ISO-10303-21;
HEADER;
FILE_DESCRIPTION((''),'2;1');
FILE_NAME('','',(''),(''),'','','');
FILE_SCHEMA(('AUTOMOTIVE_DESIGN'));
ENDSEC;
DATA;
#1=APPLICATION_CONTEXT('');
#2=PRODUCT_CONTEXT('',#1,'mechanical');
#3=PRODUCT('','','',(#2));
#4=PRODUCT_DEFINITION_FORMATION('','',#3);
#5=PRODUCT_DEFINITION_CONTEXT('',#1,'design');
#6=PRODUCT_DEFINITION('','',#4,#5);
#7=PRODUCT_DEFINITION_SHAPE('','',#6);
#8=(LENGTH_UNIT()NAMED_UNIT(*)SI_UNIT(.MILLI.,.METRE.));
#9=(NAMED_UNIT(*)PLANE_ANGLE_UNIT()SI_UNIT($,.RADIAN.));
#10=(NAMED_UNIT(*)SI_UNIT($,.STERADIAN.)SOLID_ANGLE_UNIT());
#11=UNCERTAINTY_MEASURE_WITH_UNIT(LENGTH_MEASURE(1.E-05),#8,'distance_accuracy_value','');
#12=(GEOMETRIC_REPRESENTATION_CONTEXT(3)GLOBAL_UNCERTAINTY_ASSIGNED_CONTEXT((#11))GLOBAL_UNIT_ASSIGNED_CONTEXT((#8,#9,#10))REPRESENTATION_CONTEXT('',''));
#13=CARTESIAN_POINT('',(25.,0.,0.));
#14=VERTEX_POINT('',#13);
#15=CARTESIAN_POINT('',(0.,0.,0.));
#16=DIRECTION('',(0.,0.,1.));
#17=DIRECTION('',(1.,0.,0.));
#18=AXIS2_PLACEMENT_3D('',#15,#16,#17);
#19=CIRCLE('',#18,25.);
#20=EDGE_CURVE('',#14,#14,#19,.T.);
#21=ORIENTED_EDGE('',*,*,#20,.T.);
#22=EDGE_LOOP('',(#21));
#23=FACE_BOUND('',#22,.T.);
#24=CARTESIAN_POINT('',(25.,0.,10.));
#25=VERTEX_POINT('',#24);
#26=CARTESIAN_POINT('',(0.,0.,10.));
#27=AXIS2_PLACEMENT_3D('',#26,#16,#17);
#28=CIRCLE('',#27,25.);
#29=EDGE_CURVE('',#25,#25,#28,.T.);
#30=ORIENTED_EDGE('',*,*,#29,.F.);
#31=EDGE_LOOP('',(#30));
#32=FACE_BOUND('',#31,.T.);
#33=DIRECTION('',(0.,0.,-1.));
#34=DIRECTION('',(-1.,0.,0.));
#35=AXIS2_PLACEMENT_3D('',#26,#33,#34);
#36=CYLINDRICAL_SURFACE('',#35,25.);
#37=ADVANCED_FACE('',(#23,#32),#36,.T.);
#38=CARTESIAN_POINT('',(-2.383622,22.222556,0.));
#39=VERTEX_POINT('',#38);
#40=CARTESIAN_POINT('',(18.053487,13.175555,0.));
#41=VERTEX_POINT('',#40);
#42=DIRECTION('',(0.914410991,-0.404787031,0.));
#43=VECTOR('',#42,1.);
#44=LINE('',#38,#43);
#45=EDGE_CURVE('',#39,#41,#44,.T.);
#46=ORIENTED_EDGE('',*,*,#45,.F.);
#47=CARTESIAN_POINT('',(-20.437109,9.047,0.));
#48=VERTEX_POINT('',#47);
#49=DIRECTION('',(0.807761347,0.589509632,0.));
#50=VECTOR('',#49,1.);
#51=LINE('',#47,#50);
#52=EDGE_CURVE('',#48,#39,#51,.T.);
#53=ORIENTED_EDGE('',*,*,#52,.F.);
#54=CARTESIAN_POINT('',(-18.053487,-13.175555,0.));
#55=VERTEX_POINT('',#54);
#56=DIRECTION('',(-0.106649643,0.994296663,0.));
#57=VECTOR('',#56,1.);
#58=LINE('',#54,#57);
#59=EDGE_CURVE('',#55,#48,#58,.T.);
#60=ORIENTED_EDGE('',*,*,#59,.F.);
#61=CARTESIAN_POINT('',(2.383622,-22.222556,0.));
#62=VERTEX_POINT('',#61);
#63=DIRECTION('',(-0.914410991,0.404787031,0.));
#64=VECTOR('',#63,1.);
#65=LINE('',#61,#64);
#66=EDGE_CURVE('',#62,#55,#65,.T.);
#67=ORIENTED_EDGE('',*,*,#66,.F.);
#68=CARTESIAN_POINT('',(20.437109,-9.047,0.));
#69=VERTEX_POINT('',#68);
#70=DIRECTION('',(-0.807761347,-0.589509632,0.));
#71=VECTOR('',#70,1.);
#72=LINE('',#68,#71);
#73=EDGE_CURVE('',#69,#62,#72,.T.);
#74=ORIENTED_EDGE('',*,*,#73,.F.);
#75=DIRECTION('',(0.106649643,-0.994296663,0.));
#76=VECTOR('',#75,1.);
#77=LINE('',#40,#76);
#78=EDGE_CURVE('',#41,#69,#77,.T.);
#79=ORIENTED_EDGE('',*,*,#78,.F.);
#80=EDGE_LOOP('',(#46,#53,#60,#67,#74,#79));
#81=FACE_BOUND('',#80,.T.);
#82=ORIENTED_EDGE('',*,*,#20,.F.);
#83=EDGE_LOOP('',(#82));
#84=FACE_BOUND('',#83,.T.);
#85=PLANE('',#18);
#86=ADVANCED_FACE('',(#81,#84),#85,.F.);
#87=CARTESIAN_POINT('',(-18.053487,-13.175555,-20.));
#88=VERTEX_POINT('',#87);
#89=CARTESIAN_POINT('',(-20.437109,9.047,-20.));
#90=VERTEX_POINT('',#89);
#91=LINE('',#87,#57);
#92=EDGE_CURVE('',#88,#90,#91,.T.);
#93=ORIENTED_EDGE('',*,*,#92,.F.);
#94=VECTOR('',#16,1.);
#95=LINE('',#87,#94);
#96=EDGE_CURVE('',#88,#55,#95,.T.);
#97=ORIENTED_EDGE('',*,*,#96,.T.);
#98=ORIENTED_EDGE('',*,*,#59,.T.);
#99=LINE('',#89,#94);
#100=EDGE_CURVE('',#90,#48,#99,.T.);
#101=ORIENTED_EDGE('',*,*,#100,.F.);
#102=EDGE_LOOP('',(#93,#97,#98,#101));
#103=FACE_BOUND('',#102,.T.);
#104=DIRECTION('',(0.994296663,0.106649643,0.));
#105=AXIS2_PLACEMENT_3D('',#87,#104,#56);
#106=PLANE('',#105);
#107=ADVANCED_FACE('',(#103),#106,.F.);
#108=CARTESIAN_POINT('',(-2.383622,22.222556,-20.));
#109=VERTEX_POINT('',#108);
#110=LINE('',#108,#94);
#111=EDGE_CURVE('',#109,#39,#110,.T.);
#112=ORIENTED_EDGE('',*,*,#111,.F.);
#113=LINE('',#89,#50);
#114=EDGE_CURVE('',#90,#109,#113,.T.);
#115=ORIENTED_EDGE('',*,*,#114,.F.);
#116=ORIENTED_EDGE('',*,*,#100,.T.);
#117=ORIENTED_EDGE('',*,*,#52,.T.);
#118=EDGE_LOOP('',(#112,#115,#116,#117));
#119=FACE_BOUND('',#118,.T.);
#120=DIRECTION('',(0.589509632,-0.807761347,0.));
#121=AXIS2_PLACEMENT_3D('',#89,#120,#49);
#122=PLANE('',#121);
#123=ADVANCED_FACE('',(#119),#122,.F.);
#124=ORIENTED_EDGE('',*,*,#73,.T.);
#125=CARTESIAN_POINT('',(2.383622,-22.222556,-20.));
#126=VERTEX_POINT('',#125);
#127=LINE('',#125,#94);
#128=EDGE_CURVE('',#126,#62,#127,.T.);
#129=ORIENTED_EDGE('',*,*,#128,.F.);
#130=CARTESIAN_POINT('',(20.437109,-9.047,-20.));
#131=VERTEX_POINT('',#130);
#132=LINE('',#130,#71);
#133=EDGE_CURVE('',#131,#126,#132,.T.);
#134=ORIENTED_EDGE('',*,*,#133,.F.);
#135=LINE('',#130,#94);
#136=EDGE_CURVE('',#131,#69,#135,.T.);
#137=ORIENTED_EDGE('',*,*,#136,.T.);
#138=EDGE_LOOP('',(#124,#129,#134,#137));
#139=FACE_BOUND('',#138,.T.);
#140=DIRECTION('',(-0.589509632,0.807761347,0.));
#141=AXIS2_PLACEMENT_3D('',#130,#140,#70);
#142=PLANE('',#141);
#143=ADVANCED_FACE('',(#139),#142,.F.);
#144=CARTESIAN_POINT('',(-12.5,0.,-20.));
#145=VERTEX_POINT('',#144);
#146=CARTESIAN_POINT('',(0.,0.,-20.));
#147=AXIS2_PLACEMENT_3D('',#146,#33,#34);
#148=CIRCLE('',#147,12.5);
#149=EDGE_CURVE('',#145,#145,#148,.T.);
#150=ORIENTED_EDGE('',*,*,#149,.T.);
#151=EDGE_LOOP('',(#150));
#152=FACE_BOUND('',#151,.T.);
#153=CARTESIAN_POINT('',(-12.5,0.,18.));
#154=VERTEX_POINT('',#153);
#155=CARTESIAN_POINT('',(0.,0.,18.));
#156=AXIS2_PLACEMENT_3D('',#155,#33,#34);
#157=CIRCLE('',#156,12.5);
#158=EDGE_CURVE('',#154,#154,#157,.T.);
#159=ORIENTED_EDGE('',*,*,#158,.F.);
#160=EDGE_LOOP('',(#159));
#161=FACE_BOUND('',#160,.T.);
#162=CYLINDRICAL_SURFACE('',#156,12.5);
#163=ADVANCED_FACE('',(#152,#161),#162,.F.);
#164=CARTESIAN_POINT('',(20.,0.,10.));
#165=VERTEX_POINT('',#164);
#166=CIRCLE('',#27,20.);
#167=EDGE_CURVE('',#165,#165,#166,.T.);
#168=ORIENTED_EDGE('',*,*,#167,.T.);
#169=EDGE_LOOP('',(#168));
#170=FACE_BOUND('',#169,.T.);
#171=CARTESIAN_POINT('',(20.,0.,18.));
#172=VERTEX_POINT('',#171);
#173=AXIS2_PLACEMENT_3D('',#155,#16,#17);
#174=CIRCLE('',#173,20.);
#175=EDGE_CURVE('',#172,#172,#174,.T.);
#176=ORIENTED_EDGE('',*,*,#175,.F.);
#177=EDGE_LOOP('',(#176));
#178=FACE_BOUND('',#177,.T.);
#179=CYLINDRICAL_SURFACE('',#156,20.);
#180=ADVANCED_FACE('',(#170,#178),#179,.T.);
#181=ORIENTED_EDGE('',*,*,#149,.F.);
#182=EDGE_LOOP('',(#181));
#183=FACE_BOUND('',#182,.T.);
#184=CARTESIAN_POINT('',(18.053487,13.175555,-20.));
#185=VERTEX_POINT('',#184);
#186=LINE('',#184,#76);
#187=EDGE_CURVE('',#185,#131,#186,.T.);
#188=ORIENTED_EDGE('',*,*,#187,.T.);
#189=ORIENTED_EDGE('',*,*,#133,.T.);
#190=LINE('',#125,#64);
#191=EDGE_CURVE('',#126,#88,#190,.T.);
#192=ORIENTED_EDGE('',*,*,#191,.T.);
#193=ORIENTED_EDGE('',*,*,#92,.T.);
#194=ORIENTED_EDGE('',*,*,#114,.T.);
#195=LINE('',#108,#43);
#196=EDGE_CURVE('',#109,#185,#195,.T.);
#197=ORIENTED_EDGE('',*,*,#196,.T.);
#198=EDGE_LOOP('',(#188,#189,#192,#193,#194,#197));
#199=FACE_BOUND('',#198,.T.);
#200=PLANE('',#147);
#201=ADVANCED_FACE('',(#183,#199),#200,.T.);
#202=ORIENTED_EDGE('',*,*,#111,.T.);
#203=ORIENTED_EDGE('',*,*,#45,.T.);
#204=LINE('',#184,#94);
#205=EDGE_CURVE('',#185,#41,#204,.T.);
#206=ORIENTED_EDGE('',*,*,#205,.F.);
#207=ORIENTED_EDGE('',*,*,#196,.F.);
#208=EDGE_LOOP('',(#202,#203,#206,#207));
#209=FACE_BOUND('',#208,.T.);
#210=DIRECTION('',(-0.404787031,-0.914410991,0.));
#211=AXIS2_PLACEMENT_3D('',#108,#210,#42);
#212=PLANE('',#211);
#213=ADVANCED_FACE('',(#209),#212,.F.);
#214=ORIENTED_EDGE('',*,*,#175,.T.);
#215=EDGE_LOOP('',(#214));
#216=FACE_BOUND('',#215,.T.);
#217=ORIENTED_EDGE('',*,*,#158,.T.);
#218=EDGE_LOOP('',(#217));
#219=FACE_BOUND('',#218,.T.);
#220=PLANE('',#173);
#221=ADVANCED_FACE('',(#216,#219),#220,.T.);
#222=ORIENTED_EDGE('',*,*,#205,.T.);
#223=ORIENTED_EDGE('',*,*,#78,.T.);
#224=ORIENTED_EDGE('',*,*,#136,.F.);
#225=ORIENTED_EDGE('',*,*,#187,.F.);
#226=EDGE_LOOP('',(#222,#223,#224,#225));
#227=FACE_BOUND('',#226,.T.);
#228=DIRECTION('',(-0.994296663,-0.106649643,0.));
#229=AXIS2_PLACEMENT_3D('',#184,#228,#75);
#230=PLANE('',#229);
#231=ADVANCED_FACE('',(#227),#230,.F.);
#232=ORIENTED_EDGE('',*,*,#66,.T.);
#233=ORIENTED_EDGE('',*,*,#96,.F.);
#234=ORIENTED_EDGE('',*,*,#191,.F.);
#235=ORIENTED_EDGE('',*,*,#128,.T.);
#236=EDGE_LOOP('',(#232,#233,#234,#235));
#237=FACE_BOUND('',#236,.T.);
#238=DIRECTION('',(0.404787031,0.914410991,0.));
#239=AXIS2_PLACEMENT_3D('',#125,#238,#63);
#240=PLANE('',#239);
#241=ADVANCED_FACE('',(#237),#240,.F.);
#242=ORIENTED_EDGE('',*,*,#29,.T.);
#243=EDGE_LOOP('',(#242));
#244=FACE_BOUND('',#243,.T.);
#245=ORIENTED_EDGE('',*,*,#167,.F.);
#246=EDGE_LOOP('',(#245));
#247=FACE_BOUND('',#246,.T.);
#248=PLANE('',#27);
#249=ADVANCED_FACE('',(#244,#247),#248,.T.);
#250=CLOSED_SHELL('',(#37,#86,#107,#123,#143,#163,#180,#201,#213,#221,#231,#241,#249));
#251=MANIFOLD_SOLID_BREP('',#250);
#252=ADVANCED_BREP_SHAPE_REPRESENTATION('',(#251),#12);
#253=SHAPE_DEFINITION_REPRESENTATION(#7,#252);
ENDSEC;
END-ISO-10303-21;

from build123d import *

# Parameters (mm, degrees)
SKETCH2_R           = 25
BOSS_EXTRUDE1_DEPTH = 10
SKETCH3_R           = 20
BOSS_EXTRUDE2_DEPTH = 8
BOSS_EXTRUDE3_DEPTH = 20
SKETCH5_R           = 12.5
CUT_EXTRUDE1_DEPTH  = 52.903757089


with BuildPart() as part:
    # Sketch2 → Boss-Extrude1 (new body)
    with BuildSketch(Plane.XY):
        Circle(SKETCH2_R)
    extrude(amount=BOSS_EXTRUDE1_DEPTH)

    # Sketch3 → Boss-Extrude2 (add)
    with BuildSketch(Plane.XY.offset(10)):
        Circle(SKETCH3_R)
    extrude(amount=BOSS_EXTRUDE2_DEPTH)

    # Sketch4 → Boss-Extrude3 (add)
    with BuildSketch(Plane(origin=(0, 0, 0), x_dir=(-1, 0, 0), z_dir=(0, 0, -1))):
        Polygon((-20.437108974, -9.047000469), (-2.383622252, -22.222555786), (18.053486721, -13.175555316), (20.437108974, 9.047000469), (2.383622252, 22.222555786), (-18.053486721, 13.175555316), align=None)
    extrude(amount=BOSS_EXTRUDE3_DEPTH)

    # Sketch5 → Cut-Extrude1 (cut, through all)
    with BuildSketch(Plane(origin=(0, 0, -20), x_dir=(-1, 0, 0), z_dir=(0, 0, -1))):
        Circle(SKETCH5_R)
    extrude(amount=-CUT_EXTRUDE1_DEPTH, mode=Mode.SUBTRACT)


solid = part.part
